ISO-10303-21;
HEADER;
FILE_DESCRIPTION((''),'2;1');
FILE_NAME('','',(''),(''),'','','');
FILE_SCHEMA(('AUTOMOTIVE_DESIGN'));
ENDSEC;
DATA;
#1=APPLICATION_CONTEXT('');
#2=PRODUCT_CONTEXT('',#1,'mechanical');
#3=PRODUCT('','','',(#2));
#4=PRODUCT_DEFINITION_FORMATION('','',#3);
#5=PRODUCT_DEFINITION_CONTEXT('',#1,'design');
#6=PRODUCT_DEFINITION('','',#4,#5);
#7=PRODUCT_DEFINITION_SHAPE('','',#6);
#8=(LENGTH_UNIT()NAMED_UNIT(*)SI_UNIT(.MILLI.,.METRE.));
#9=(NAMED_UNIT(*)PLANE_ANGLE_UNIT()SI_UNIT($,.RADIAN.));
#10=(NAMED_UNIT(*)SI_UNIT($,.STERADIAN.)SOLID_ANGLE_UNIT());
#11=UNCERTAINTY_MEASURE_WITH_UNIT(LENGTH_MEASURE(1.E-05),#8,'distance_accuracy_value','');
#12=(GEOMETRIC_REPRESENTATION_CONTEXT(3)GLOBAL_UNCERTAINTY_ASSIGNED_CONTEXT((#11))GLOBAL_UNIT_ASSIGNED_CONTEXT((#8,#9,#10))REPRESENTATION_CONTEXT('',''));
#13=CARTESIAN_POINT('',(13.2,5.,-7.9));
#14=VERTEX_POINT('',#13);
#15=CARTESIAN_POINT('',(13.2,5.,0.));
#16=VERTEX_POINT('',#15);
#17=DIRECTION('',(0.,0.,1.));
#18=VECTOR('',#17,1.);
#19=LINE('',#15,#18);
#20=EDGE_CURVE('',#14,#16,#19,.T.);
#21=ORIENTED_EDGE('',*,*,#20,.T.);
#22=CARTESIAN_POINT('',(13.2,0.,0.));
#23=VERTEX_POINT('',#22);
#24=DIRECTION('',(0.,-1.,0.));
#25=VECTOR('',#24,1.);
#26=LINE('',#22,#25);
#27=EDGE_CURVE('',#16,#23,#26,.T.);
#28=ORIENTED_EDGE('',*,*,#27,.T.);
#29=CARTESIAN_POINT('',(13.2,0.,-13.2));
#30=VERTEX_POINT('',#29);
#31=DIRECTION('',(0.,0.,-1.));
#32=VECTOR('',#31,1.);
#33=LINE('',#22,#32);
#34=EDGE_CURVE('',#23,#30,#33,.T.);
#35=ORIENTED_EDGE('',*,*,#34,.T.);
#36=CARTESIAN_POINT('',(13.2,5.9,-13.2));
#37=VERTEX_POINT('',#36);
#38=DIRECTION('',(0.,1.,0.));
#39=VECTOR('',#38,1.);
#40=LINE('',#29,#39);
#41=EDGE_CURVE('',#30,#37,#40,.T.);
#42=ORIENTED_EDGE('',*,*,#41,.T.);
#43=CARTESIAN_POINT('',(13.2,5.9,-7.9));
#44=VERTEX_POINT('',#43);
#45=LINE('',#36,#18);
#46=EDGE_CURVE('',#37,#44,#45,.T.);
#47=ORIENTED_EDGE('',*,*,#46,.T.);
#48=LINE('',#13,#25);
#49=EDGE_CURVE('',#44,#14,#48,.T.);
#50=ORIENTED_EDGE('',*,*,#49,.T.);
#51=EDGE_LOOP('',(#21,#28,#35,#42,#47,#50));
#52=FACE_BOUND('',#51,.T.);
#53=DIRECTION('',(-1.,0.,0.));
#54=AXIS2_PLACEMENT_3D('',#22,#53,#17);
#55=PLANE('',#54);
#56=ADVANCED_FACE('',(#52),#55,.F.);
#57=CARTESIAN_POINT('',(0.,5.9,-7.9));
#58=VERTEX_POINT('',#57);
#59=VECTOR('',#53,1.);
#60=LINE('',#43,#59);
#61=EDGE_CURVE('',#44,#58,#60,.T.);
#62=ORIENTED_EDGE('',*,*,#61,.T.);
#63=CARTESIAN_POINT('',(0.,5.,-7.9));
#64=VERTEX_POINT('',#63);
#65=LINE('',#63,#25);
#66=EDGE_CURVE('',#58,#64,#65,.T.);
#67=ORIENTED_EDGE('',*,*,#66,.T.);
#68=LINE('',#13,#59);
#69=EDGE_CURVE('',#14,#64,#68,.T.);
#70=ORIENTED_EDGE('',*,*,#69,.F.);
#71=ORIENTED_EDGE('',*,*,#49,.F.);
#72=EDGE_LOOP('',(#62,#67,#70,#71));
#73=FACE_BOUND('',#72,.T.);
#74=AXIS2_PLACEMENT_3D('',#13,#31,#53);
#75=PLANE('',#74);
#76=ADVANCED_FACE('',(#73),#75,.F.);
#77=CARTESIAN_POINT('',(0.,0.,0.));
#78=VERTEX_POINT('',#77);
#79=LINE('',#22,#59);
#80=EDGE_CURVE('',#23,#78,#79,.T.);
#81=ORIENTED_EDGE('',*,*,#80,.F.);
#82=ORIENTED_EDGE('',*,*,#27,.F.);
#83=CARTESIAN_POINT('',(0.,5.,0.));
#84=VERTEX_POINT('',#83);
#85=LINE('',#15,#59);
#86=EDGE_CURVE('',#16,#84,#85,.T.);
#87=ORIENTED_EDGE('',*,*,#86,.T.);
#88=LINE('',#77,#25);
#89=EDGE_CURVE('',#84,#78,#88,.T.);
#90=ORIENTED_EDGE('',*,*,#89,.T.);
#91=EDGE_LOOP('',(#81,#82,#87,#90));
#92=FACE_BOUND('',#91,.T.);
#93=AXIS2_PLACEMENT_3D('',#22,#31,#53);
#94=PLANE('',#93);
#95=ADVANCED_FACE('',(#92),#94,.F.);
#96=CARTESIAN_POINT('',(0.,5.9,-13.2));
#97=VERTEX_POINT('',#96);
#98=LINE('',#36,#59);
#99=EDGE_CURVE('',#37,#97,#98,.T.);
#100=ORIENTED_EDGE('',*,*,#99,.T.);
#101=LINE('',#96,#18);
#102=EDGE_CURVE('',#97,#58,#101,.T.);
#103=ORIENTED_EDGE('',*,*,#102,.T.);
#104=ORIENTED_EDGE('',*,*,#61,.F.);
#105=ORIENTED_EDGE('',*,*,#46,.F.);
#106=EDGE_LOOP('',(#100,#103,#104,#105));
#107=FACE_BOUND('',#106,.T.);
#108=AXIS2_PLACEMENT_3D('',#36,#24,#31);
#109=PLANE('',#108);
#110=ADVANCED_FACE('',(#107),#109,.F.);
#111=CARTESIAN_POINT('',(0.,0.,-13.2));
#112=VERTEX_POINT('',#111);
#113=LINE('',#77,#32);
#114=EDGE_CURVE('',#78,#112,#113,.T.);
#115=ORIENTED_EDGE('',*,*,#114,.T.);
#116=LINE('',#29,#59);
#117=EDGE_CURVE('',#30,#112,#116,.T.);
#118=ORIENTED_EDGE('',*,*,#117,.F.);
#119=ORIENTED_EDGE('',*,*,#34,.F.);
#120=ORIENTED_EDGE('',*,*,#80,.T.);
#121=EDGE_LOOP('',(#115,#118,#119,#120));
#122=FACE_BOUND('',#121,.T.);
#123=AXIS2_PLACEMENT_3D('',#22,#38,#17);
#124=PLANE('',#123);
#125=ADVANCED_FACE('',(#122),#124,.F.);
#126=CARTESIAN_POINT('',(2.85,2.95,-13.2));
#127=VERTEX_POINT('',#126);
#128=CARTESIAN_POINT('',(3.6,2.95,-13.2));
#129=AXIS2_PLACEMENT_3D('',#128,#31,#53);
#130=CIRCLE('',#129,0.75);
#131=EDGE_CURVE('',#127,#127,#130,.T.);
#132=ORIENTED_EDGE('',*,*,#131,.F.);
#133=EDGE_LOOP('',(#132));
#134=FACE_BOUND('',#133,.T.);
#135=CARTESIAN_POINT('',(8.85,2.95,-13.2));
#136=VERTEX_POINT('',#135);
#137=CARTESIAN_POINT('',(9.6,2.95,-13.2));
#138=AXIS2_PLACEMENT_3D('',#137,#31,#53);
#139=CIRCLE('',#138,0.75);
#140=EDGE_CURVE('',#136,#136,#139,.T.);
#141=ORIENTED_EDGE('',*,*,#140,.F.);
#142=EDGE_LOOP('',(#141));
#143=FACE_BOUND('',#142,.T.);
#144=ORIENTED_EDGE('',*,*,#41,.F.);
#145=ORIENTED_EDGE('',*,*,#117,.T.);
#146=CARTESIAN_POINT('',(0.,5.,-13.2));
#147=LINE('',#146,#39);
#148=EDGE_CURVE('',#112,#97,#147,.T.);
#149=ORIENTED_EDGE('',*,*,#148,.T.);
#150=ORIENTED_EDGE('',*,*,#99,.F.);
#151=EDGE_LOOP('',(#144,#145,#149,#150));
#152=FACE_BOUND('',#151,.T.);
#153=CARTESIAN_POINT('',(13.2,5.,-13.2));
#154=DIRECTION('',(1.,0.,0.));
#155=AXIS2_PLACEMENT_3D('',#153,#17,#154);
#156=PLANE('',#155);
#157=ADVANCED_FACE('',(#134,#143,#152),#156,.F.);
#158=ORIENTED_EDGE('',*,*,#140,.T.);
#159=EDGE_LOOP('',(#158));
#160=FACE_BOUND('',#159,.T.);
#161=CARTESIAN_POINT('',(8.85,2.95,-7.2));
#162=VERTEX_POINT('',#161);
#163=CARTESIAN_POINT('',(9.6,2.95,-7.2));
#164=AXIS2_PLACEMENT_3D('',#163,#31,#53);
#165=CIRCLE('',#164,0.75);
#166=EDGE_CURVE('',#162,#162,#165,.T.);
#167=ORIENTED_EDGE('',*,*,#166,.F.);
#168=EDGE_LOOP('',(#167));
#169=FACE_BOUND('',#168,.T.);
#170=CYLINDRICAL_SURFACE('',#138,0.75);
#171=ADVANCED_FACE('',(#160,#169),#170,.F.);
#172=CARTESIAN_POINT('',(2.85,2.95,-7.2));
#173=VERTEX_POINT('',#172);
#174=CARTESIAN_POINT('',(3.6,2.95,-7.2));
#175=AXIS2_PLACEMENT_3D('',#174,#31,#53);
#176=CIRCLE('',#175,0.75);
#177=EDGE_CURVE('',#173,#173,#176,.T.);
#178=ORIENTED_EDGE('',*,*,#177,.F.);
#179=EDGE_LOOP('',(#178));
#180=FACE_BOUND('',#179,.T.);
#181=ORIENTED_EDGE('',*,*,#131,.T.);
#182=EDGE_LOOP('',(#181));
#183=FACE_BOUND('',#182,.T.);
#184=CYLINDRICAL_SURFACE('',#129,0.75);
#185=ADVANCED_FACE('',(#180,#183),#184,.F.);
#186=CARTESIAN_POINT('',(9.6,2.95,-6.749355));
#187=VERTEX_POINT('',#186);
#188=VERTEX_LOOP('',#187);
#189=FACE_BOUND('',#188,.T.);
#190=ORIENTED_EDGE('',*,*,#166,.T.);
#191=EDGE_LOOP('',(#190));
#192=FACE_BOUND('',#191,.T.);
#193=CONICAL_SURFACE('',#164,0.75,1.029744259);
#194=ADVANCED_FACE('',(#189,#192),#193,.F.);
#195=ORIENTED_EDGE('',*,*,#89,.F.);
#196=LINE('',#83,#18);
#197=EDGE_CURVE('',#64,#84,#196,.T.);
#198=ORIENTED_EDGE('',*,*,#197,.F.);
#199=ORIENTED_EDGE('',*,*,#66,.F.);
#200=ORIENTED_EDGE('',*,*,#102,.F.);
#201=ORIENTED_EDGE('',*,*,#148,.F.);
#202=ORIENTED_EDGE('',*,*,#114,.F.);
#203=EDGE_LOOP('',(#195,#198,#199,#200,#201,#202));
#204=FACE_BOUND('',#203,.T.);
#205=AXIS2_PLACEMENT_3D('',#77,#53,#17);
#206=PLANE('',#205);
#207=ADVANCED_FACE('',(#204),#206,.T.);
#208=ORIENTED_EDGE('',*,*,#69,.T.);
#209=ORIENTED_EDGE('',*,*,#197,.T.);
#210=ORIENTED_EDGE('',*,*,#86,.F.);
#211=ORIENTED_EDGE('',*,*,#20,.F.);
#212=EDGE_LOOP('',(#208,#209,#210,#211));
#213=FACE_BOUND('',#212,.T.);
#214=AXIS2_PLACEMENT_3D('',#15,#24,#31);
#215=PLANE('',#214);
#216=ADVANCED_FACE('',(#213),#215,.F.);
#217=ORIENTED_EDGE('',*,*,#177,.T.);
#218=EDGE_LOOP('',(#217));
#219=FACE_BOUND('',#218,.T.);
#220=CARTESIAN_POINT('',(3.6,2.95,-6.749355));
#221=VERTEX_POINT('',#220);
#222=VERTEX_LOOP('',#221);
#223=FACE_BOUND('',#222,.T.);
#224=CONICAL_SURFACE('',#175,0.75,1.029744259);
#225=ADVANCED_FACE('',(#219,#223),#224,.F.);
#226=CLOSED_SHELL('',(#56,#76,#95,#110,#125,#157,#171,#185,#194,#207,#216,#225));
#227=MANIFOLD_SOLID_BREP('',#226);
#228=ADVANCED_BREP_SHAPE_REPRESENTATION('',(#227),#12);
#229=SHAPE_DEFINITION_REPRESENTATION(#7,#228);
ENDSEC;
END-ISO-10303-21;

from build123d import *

# Parameters (mm, degrees)
BOSS_EXTRUDE1_DEPTH       = 13.2
F_1_5MM_DOWEL_HOLE1_D     = 1.5
F_1_5MM_DOWEL_HOLE1_DEPTH = 6
F_1_5MM_DOWEL_HOLE1_TIP   = 0.450645464
F_1_5MM_DOWEL_HOLE7_D     = 1.5
F_1_5MM_DOWEL_HOLE7_DEPTH = 6
F_1_5MM_DOWEL_HOLE7_TIP   = 0.450645464


with BuildPart() as part:
    # Sketch3 → Boss-Extrude1 (new body)
    with BuildSketch(Plane(origin=(0, 0, 0), x_dir=(0, 0, -1), z_dir=(1, 0, 0))):
        Polygon((0, 0), (13.2, 0), (13.2, 5), (13.2, 5.9), (7.9, 5.9), (7.9, 5), (0, 5), align=None)
    extrude(amount=BOSS_EXTRUDE1_DEPTH)

    # Ø1.5mm Dowel Hole1
    with Locations(Plane(origin=(0, 0, -13.2), x_dir=(-1, 0, 0), z_dir=(0, 0, -1))):
        with Locations((-3.6, 2.95)):
            Hole(F_1_5MM_DOWEL_HOLE1_D / 2, depth=F_1_5MM_DOWEL_HOLE1_DEPTH)
            with Locations((0, 0, -(F_1_5MM_DOWEL_HOLE1_DEPTH + F_1_5MM_DOWEL_HOLE1_TIP / 2))):  # 118° drill point
                Cone(0, F_1_5MM_DOWEL_HOLE1_D / 2, F_1_5MM_DOWEL_HOLE1_TIP, mode=Mode.SUBTRACT)

    # Ø1.5mm Dowel Hole7
    with Locations(Plane(origin=(0, 0, -13.2), x_dir=(-1, 0, 0), z_dir=(0, 0, -1))):
        with Locations((-9.6, 2.95)):
            Hole(F_1_5MM_DOWEL_HOLE7_D / 2, depth=F_1_5MM_DOWEL_HOLE7_DEPTH)
            with Locations((0, 0, -(F_1_5MM_DOWEL_HOLE7_DEPTH + F_1_5MM_DOWEL_HOLE7_TIP / 2))):  # 118° drill point
                Cone(0, F_1_5MM_DOWEL_HOLE7_D / 2, F_1_5MM_DOWEL_HOLE7_TIP, mode=Mode.SUBTRACT)


solid = part.part
